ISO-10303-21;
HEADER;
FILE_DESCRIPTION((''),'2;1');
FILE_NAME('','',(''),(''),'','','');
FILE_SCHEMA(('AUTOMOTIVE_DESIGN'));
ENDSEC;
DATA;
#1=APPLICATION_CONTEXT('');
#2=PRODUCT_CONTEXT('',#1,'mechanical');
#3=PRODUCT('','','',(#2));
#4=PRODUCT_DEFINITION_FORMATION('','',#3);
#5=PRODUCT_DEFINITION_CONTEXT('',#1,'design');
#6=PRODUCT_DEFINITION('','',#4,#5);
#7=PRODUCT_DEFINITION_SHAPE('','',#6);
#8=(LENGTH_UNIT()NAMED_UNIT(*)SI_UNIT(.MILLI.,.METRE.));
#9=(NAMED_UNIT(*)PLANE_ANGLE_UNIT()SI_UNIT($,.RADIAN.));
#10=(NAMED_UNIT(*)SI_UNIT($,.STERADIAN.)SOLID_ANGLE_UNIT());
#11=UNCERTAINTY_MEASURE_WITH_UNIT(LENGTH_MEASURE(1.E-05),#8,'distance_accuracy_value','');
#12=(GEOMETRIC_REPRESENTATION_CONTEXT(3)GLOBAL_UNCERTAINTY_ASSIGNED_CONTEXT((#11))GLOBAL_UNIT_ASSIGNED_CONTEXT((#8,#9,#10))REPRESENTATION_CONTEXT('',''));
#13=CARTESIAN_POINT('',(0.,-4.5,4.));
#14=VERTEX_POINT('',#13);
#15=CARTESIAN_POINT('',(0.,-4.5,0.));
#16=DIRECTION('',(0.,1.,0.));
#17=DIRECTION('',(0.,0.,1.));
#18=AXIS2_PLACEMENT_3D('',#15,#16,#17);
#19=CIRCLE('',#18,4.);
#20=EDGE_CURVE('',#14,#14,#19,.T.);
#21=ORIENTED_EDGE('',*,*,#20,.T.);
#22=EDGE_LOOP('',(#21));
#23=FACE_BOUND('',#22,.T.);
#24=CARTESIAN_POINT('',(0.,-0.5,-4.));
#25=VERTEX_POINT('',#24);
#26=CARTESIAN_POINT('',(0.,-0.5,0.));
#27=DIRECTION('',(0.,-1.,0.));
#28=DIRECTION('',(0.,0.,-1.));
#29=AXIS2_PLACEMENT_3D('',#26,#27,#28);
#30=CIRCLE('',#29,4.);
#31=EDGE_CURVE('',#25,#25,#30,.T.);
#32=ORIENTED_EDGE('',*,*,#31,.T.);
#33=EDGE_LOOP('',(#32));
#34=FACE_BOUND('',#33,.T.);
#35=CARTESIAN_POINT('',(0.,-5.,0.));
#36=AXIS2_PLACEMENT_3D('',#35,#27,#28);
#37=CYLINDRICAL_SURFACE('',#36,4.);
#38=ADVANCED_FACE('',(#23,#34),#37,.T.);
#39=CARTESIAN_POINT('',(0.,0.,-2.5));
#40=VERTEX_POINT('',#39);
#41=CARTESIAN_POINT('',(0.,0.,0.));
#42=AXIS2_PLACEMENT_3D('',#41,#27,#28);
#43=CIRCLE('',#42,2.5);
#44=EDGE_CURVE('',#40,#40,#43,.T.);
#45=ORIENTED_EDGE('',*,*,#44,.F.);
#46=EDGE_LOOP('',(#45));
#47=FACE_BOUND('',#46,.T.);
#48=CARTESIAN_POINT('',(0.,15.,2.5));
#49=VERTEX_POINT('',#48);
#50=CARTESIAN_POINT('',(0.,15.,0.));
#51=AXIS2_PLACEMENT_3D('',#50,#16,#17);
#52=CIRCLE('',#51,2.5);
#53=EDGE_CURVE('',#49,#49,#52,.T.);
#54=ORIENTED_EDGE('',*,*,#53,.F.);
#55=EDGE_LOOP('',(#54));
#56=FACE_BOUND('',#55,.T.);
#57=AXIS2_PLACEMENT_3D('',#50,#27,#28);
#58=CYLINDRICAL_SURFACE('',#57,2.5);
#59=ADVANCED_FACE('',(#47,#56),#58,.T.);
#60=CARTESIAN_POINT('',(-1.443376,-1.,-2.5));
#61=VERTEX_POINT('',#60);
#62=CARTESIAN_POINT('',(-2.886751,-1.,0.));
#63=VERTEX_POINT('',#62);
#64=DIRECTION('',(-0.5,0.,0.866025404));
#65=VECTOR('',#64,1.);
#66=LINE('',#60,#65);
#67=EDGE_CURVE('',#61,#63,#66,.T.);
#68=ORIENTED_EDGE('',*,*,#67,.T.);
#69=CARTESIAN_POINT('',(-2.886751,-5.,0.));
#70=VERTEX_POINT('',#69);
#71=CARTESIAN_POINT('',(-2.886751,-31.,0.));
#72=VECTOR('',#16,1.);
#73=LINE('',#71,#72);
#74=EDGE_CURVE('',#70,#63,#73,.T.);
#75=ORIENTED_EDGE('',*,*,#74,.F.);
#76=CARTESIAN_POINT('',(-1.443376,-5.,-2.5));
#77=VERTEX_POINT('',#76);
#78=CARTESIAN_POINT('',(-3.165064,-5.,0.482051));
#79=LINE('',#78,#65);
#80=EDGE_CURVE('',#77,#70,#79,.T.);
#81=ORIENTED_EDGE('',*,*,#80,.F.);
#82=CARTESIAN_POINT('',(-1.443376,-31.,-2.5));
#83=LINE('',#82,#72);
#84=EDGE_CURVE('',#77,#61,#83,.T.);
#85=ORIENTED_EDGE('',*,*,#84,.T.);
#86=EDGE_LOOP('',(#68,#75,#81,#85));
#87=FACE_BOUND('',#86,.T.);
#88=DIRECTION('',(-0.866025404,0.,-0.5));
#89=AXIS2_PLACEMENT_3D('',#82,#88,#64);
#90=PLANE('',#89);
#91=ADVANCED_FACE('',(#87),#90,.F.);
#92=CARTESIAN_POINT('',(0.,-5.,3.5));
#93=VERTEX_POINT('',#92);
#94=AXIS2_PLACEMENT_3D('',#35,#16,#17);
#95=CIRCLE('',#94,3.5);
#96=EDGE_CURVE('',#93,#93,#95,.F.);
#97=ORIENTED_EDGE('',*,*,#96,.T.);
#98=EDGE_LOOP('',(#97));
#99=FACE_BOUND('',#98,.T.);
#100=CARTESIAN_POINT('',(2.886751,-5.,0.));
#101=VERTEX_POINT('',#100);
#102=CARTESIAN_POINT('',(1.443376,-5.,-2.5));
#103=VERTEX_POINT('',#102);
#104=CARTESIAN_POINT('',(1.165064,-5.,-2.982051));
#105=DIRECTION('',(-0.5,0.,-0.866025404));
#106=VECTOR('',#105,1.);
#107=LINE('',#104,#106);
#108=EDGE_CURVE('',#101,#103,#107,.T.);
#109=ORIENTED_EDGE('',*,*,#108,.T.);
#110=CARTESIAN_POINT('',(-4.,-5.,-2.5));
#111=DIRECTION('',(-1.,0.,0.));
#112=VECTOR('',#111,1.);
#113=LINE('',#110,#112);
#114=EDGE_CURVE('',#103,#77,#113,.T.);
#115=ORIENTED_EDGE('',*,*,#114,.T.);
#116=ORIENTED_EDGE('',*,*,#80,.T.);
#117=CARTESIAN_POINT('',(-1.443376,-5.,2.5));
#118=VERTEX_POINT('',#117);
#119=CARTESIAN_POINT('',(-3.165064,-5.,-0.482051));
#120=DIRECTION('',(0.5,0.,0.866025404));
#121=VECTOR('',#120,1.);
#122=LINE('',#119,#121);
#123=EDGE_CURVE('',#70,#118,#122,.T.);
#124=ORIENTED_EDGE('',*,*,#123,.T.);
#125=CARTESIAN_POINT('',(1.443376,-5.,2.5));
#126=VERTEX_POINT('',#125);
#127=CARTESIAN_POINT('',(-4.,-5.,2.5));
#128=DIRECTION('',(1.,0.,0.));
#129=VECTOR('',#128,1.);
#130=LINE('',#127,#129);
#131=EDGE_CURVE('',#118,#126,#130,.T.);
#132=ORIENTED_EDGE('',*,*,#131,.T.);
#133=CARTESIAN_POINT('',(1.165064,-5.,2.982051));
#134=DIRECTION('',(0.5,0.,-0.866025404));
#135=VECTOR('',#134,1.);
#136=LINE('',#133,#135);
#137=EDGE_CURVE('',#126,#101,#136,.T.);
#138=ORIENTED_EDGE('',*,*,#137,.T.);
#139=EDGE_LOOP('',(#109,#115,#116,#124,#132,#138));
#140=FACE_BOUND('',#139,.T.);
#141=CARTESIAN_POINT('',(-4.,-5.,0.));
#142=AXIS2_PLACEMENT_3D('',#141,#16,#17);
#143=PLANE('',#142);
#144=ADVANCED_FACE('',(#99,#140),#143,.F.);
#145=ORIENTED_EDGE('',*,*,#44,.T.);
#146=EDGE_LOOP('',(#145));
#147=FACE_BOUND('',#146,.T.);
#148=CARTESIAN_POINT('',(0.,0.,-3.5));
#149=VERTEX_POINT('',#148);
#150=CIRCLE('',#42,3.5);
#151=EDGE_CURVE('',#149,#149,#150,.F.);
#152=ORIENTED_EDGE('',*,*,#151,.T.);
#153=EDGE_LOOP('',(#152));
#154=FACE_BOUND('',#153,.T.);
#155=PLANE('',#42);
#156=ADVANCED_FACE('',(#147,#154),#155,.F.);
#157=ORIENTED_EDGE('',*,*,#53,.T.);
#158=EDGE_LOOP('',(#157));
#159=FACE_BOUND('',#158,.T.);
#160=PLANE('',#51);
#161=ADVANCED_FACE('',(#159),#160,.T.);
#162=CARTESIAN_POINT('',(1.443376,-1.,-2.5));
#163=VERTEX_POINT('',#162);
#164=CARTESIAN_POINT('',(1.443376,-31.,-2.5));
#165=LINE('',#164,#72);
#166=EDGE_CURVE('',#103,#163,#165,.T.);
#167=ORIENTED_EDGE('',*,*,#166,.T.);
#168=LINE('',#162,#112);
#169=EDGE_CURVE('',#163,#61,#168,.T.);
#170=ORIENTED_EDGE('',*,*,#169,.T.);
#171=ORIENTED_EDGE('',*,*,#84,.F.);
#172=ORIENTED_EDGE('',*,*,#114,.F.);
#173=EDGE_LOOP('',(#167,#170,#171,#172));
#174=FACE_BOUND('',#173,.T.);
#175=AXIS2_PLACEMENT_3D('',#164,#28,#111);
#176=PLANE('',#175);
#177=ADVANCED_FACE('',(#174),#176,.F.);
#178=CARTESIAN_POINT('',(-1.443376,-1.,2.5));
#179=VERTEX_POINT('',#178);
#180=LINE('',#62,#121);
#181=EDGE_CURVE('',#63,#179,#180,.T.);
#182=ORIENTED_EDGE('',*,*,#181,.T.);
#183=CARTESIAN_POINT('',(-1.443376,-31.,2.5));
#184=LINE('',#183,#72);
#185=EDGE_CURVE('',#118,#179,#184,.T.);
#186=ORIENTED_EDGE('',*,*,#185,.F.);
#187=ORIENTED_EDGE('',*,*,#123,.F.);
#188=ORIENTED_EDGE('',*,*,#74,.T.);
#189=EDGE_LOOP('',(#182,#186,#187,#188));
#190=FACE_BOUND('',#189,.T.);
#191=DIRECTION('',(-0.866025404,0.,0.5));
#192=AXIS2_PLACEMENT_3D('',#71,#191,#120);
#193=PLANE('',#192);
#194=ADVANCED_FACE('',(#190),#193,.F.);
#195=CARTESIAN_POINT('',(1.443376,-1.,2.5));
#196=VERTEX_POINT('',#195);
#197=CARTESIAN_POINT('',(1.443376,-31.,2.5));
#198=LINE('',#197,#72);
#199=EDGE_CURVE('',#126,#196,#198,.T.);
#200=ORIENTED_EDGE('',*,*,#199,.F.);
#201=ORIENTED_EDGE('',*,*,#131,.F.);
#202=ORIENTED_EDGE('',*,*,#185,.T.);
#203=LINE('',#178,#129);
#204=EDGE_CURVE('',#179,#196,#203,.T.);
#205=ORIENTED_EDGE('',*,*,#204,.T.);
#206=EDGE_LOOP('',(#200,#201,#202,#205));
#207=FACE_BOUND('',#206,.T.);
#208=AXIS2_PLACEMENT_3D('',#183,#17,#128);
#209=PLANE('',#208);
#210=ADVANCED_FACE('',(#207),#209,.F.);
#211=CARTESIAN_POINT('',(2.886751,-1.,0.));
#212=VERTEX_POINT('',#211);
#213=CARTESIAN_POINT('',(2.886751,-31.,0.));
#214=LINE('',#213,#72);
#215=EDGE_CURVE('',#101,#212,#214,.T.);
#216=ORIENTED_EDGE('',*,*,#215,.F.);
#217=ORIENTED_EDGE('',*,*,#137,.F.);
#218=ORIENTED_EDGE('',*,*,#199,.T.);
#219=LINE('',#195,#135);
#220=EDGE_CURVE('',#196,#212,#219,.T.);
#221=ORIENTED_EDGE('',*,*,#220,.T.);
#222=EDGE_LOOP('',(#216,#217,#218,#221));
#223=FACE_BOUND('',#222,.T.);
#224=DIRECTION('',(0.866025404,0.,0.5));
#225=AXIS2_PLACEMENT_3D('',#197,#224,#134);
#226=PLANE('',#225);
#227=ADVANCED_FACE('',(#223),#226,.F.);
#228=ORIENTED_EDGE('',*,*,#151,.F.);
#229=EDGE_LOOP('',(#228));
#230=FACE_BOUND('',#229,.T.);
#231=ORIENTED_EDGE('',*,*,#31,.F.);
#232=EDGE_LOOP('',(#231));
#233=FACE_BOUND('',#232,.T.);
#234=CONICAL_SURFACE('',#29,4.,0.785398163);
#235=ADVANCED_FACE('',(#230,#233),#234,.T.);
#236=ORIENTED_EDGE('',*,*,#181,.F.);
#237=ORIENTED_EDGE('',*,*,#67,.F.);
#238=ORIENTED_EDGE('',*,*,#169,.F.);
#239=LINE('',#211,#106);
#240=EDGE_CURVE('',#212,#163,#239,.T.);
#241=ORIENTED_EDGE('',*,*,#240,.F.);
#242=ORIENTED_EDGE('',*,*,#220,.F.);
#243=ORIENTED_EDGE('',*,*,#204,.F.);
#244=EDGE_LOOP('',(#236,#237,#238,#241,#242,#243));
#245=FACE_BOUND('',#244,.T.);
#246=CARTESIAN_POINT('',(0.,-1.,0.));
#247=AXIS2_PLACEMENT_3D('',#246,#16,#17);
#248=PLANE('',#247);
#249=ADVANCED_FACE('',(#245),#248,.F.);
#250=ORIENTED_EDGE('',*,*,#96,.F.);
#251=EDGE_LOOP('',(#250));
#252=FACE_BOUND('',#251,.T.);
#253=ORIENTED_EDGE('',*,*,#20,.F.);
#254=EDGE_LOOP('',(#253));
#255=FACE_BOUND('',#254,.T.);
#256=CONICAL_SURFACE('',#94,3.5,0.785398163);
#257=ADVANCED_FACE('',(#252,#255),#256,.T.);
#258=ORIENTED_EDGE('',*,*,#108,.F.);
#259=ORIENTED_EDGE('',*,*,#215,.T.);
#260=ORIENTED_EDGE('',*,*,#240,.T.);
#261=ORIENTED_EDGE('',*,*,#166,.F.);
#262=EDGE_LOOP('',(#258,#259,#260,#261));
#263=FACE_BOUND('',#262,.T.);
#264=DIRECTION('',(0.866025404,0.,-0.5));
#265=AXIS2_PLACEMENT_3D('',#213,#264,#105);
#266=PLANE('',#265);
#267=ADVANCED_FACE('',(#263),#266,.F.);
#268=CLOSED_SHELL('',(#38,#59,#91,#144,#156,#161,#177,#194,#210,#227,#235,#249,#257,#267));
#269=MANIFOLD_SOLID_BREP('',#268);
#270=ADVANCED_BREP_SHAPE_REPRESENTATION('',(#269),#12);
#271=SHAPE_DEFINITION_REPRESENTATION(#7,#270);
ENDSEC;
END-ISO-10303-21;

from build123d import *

# Parameters (mm, degrees)
SKETCH1_R           = 2.5
BOSS_EXTRUDE1_DEPTH = 15
SKETCH3_W           = 4
SKETCH3_H           = 5
CUT_EXTRUDE1_START  = -1
CUT_EXTRUDE1_DEPTH  = 30
CHAMFER1_SIZE       = 0.5


with BuildPart() as part:
    # Sketch1 → Boss-Extrude1 (new body)
    with BuildSketch(Plane(origin=(0, 0, 0), x_dir=(1, 0, 0), z_dir=(0, 1, 0))):
        with Locations(Location((0, 0, 0), (0, 0, 270))):
            Circle(SKETCH1_R)
    extrude(amount=BOSS_EXTRUDE1_DEPTH)

    # Sketch3 → Revolve1 (revolve)
    with BuildSketch(Plane.XY, mode=Mode.PRIVATE) as revolve1_sk:
        with Locations((-2, -2.5)):
            Rectangle(SKETCH3_W, SKETCH3_H)
    revolve(revolve1_sk.sketch.rotate(Axis((0, -5, 0), (0, 1, 0)), 270), axis=Axis((0, -5, 0), (0, 1, 0)))

    # Sketch4 → Cut-Extrude1 (cut)
    with BuildSketch(Plane(origin=(0, 0, 0), x_dir=(1, 0, 0), z_dir=(0, 1, 0)).offset(CUT_EXTRUDE1_START)):
        Polygon((2.886751346, 0), (1.443375673, 2.5), (-1.443375673, 2.5), (-2.886751346, 0), (-1.443375673, -2.5), (1.443375673, -2.5), align=None)
    extrude(amount=-CUT_EXTRUDE1_DEPTH, mode=Mode.SUBTRACT)

    # Chamfer1
    chamfer1_edges = [part.edges().sort_by_distance(p)[0] for p in [
        (0, 0, 4),
        (0, -5, 4),
    ]]
    chamfer(chamfer1_edges, length=CHAMFER1_SIZE)


solid = part.part
